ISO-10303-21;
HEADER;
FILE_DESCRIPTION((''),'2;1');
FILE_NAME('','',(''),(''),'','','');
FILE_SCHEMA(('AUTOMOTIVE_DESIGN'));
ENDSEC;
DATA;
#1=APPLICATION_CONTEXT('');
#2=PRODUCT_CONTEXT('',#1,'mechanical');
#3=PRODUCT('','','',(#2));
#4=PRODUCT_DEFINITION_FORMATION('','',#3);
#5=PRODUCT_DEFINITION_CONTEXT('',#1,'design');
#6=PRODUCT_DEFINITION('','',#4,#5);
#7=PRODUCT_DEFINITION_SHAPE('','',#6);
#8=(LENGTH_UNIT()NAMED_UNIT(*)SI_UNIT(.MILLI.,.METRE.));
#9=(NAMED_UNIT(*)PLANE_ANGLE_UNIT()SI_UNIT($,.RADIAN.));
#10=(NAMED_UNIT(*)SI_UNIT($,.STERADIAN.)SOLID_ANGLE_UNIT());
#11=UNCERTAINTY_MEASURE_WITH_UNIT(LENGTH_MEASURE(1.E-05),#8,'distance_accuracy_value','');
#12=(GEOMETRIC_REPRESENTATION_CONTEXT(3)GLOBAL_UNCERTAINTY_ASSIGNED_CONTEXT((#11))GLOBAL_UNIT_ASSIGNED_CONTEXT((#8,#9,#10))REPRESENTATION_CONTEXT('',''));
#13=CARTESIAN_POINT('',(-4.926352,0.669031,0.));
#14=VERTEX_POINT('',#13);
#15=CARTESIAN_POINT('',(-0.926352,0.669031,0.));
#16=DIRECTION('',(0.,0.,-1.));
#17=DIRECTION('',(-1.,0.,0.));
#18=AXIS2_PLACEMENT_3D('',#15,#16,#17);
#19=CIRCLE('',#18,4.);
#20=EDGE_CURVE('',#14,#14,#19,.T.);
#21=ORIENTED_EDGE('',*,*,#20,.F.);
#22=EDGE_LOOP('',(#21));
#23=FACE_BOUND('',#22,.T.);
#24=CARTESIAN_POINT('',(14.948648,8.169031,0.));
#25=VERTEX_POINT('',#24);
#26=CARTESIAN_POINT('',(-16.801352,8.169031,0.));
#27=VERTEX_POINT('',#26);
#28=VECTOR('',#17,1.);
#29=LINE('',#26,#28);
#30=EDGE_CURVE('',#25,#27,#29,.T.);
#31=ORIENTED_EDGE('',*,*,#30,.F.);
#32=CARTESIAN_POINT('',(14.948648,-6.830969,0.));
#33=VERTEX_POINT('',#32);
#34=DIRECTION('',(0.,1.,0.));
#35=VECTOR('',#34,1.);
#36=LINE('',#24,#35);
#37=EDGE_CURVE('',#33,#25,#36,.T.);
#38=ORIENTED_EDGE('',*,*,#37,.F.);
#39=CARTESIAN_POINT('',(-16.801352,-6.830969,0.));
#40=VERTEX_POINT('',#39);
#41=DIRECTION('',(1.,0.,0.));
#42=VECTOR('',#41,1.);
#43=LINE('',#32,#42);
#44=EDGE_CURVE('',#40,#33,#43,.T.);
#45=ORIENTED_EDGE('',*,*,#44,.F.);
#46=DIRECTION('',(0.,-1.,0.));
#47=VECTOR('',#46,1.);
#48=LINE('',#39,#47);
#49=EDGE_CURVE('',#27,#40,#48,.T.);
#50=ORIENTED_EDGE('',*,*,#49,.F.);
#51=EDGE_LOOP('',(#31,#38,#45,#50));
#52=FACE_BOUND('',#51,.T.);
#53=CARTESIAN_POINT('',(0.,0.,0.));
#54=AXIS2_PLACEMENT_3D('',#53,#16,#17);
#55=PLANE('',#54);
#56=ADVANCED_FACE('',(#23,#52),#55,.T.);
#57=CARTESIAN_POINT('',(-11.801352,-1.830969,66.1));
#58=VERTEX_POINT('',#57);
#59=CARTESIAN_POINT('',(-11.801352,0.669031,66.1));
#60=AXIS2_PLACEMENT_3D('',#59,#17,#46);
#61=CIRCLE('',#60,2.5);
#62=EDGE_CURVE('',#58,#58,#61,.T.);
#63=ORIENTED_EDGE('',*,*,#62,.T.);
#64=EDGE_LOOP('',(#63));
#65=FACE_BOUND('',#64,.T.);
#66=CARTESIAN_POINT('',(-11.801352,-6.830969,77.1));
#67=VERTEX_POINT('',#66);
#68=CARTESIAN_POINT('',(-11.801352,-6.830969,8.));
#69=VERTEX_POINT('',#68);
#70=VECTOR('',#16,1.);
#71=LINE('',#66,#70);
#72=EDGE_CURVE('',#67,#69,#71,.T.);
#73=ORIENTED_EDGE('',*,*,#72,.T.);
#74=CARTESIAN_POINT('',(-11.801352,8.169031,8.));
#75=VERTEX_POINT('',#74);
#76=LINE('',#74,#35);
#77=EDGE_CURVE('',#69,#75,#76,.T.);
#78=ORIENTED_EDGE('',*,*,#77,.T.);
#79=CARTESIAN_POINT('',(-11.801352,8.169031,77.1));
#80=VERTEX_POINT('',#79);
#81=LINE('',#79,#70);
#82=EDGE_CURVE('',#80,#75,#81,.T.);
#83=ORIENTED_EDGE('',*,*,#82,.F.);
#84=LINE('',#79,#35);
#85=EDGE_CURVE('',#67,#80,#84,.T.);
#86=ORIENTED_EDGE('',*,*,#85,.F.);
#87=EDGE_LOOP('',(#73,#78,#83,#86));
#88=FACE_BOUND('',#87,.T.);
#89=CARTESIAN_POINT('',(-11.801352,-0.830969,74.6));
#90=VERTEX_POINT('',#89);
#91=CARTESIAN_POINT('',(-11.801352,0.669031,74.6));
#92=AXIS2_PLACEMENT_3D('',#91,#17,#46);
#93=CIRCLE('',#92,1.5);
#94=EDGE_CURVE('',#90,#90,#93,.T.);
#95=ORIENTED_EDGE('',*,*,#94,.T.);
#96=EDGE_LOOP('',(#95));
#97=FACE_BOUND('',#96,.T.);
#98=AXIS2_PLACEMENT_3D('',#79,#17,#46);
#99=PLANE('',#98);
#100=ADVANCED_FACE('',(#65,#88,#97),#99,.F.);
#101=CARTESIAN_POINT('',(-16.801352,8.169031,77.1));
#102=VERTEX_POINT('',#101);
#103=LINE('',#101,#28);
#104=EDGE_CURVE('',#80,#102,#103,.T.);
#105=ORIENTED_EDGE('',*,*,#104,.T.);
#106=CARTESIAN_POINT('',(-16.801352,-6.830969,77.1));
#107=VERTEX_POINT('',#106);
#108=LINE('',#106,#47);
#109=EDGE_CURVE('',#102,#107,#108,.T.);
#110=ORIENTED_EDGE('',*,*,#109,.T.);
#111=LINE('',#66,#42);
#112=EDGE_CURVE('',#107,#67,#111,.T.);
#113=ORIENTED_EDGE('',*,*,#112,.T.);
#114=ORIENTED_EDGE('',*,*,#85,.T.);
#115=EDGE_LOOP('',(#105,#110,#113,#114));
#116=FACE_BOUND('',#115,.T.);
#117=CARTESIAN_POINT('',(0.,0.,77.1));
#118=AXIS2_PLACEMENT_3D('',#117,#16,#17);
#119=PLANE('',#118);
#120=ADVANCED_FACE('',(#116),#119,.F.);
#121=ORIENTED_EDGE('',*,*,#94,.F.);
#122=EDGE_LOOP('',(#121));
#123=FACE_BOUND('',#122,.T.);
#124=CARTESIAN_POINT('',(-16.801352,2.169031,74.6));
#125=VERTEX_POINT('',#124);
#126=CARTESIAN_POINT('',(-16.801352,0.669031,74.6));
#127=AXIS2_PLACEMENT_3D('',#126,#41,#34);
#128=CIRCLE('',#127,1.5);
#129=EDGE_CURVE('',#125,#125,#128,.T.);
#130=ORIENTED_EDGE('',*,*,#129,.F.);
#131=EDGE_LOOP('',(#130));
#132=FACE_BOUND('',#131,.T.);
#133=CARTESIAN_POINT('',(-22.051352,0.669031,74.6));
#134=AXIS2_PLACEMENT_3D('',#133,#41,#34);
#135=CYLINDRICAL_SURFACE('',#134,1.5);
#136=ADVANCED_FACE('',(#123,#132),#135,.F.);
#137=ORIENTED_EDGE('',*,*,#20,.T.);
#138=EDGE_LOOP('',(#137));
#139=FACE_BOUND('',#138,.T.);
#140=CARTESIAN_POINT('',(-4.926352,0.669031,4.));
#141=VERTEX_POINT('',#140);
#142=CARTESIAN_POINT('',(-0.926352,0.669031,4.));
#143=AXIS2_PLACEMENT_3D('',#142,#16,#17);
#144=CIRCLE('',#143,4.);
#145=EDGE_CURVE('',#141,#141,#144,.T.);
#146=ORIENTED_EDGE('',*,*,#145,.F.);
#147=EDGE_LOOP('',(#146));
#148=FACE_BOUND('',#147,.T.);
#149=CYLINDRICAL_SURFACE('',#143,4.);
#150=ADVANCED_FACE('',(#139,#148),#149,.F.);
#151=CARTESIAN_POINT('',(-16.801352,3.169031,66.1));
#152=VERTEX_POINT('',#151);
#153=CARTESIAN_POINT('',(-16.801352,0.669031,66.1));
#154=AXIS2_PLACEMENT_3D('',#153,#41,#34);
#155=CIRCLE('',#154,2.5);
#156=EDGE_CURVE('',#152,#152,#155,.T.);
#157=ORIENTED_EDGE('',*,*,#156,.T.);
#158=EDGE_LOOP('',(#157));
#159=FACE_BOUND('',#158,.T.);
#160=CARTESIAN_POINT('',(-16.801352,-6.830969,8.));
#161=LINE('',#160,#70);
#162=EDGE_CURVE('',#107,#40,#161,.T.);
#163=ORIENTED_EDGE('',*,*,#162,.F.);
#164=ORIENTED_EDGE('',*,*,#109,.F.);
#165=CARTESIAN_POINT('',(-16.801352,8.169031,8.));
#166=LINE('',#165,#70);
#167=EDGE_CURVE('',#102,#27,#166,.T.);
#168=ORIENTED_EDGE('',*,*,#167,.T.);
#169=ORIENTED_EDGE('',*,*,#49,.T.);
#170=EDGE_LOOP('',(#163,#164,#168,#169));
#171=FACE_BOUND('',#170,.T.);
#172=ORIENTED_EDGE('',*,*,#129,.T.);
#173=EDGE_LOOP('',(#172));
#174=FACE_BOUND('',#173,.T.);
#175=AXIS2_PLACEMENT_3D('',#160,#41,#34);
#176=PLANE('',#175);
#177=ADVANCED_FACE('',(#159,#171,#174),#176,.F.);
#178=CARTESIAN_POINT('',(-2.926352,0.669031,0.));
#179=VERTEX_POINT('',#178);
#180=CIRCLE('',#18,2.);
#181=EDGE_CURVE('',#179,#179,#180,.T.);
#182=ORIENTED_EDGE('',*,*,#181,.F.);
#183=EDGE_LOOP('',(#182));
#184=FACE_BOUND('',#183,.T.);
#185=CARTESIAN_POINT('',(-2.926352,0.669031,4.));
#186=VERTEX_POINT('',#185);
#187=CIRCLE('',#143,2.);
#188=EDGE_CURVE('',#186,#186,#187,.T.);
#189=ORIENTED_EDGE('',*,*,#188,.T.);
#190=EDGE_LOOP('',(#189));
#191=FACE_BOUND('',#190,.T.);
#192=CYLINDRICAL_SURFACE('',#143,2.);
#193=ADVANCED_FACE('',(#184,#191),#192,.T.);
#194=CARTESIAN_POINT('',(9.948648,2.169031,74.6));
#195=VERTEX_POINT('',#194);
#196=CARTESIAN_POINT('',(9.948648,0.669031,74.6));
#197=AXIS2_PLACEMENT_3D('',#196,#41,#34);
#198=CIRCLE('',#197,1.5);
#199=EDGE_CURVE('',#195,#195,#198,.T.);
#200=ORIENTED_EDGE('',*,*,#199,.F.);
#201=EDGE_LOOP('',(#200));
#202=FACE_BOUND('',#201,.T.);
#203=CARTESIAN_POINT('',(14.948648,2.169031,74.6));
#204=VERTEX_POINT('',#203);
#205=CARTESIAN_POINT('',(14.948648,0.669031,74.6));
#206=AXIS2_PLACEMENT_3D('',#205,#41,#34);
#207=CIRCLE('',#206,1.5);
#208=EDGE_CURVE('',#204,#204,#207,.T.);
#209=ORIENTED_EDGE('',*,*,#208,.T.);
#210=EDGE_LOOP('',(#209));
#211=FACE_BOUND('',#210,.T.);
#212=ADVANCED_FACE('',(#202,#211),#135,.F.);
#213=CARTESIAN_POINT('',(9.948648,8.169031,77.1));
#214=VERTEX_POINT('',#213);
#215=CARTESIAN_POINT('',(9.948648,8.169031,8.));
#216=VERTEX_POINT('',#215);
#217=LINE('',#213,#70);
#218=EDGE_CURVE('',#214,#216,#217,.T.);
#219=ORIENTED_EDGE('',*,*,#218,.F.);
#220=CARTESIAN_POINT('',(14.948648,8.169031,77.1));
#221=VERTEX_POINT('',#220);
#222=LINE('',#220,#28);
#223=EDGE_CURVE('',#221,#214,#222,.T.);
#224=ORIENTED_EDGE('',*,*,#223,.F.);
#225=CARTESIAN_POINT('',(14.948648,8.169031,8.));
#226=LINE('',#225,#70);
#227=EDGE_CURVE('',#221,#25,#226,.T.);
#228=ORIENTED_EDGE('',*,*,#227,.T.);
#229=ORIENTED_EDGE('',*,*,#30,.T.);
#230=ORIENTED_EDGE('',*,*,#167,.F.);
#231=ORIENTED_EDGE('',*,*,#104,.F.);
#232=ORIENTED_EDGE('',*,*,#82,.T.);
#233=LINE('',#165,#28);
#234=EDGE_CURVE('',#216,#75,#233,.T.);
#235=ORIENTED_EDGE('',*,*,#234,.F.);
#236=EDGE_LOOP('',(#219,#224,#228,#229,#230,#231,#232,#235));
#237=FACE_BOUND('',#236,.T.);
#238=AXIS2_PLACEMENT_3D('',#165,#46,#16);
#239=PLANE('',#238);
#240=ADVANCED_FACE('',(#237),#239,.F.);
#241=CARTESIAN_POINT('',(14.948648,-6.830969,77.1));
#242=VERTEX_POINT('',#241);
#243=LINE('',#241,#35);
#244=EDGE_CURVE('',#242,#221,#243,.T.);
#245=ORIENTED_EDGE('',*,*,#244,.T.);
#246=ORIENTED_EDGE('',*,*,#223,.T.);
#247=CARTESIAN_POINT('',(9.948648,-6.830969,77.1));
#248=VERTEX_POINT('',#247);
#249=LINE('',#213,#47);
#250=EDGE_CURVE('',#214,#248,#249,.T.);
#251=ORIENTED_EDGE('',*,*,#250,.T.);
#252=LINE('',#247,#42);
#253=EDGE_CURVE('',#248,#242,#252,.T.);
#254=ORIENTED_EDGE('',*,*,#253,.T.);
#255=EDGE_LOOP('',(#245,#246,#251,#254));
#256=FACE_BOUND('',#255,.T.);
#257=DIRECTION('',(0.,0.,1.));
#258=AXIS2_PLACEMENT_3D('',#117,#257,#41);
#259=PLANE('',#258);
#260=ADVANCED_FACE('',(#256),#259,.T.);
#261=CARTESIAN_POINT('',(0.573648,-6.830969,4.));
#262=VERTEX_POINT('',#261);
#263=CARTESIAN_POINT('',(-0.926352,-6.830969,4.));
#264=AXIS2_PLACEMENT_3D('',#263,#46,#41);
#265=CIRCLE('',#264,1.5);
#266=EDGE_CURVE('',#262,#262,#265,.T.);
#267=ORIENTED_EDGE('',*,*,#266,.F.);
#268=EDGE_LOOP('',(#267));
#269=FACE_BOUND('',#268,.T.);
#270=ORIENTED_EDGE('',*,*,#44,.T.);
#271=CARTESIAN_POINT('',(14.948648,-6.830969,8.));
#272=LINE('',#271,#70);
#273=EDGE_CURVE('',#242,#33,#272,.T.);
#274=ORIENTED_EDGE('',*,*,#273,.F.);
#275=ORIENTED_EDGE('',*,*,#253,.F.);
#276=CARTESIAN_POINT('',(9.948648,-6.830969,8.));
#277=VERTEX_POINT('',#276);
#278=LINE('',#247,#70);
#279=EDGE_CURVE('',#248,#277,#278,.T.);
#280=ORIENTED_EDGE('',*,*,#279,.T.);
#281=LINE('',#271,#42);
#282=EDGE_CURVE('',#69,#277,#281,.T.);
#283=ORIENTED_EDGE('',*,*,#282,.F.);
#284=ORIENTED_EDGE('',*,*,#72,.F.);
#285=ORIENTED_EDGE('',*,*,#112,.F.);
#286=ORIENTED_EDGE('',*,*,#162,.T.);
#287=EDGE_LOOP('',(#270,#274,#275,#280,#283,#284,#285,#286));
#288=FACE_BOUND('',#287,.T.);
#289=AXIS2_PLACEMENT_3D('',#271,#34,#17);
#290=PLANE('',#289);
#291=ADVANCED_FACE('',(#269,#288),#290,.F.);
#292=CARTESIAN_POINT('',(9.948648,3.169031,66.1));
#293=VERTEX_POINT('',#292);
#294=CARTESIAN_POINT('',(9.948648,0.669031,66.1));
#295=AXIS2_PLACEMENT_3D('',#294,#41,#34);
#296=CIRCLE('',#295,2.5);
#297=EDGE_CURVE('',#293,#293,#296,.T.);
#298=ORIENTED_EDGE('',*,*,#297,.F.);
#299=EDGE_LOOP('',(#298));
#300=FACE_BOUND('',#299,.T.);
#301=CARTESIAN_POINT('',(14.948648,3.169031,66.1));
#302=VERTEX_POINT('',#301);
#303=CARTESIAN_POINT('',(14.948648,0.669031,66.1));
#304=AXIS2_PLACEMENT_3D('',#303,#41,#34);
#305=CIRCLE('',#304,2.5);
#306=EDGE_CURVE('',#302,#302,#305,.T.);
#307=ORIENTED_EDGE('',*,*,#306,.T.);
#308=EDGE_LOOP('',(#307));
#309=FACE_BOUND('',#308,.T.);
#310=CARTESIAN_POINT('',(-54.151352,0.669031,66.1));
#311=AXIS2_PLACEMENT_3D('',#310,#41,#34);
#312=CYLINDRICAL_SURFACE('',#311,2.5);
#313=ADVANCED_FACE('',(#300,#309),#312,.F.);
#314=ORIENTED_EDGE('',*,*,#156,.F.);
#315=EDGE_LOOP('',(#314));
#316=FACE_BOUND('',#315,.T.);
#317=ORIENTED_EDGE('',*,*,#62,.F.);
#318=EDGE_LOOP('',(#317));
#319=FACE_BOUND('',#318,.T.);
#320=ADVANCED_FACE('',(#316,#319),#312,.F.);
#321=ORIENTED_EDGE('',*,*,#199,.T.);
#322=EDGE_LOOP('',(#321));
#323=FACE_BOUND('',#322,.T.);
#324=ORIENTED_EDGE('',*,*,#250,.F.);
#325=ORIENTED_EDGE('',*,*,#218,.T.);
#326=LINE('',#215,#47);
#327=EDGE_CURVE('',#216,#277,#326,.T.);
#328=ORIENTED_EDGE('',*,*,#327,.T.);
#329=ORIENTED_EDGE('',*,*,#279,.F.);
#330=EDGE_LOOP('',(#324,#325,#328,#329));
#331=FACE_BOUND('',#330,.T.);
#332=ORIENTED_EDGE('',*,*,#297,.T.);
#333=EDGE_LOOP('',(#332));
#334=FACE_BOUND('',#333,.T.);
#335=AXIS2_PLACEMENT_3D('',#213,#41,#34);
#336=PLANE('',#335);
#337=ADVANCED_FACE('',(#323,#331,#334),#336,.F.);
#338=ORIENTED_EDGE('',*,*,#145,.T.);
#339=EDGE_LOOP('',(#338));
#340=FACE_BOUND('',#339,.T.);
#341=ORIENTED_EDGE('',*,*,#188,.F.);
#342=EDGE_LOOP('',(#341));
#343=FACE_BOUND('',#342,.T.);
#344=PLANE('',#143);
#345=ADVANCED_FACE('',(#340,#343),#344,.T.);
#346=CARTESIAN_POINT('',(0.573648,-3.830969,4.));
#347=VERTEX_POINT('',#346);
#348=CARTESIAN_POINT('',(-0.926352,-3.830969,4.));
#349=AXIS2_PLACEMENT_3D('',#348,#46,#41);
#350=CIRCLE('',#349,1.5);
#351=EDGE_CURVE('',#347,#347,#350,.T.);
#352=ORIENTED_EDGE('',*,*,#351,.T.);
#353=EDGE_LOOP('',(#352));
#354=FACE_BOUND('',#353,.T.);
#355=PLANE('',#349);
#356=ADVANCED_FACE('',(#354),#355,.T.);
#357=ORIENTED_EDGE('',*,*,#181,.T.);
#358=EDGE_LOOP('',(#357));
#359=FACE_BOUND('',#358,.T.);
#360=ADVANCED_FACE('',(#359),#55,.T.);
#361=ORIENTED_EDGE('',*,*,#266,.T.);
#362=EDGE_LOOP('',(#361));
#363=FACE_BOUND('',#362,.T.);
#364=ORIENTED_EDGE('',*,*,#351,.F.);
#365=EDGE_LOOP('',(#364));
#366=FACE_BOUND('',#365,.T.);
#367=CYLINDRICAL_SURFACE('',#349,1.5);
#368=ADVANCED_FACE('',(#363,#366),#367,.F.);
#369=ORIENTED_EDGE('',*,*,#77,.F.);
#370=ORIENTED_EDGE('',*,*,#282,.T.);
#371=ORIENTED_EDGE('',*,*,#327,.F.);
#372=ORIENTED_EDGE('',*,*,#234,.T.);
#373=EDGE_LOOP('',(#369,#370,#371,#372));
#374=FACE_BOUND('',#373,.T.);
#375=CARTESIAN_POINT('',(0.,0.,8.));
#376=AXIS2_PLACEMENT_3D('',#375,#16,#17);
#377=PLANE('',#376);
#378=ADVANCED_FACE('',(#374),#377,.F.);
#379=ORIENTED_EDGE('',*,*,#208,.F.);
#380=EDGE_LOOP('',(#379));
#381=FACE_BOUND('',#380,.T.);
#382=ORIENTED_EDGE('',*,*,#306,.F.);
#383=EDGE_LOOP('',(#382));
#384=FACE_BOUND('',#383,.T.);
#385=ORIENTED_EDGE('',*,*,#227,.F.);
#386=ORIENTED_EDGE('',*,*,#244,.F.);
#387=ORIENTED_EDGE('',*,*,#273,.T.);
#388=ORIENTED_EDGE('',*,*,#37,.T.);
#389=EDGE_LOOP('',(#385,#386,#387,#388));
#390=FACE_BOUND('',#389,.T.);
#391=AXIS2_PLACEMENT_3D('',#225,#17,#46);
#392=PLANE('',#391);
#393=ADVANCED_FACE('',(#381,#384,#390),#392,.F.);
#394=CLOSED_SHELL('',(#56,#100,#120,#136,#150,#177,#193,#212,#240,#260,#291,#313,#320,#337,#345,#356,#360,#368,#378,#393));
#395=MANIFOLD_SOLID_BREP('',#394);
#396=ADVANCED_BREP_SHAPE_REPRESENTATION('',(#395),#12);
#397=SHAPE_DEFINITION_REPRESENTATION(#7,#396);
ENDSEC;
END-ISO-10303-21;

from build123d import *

# Parameters (mm, degrees)
SKETCH1_W           = 31.75
SKETCH1_H           = 15
BOSS_EXTRUDE1_DEPTH = 8
SKETCH2_W           = 5
SKETCH2_H           = 15
BOSS_EXTRUDE2_DEPTH = 69.1
SKETCH3_R           = 2.5
CUT_EXTRUDE1_DEPTH  = 69.1
SKETCH4_R           = 4
SKETCH4_R_2         = 2
CUT_EXTRUDE3_DEPTH  = 4
SKETCH5_R           = 1.5
CUT_EXTRUDE4_DEPTH  = 3
SKETCH6_R           = 1.5
CUT_EXTRUDE5_DEPTH  = 37


with BuildPart() as part:
    # Sketch1 → Boss-Extrude1 (new body)
    with BuildSketch(Plane.XY):
        with Locations((-0.926352113, 0.669031185)):
            Rectangle(SKETCH1_W, SKETCH1_H)
    extrude(amount=BOSS_EXTRUDE1_DEPTH)

    # Sketch2 → Boss-Extrude2 (add)
    with BuildSketch(Plane.XY.offset(8)):
        with Locations((-14.301352113, 0.669031185)):
            Rectangle(SKETCH2_W, SKETCH2_H)
        with Locations((12.448647887, 0.669031185)):
            Rectangle(SKETCH2_W, SKETCH2_H)
    extrude(amount=BOSS_EXTRUDE2_DEPTH)

    # Sketch3 → Cut-Extrude1 (cut)
    with BuildSketch(Plane(origin=(14.948647887, 0, 0), x_dir=(0, 0, -1), z_dir=(1, 0, 0))):
        with Locations(Location((-66.1, 0.669031185, 0), (0, 0, 90))):
            Circle(SKETCH3_R)
    extrude(amount=-CUT_EXTRUDE1_DEPTH, mode=Mode.SUBTRACT)

    # Sketch4 → Cut-Extrude3 (cut)
    with BuildSketch(Plane(origin=(0, 0, 0), x_dir=(-1, 0, 0), z_dir=(0, 0, -1))):
        with Locations((0.926352113, 0.669031185)):
            Circle(SKETCH4_R)
        with Locations((0.926352113, 0.669031185)):
            Circle(SKETCH4_R_2, mode=Mode.SUBTRACT)
    extrude(amount=-CUT_EXTRUDE3_DEPTH, mode=Mode.SUBTRACT)

    # Sketch5 → Cut-Extrude4 (cut)
    with BuildSketch(Plane.XZ.offset(6.830968815)):
        with Locations((-0.926352113, 4)):
            Circle(SKETCH5_R)
    extrude(amount=-CUT_EXTRUDE4_DEPTH, mode=Mode.SUBTRACT)

    # Sketch6 → Cut-Extrude5 (cut)
    with BuildSketch(Plane(origin=(14.948647887, 0, 0), x_dir=(0, 0, -1), z_dir=(1, 0, 0))):
        with Locations(Location((-74.6, 0.669031185, 0), (0, 0, 90))):
            Circle(SKETCH6_R)
    extrude(amount=-CUT_EXTRUDE5_DEPTH, mode=Mode.SUBTRACT)


solid = part.part
